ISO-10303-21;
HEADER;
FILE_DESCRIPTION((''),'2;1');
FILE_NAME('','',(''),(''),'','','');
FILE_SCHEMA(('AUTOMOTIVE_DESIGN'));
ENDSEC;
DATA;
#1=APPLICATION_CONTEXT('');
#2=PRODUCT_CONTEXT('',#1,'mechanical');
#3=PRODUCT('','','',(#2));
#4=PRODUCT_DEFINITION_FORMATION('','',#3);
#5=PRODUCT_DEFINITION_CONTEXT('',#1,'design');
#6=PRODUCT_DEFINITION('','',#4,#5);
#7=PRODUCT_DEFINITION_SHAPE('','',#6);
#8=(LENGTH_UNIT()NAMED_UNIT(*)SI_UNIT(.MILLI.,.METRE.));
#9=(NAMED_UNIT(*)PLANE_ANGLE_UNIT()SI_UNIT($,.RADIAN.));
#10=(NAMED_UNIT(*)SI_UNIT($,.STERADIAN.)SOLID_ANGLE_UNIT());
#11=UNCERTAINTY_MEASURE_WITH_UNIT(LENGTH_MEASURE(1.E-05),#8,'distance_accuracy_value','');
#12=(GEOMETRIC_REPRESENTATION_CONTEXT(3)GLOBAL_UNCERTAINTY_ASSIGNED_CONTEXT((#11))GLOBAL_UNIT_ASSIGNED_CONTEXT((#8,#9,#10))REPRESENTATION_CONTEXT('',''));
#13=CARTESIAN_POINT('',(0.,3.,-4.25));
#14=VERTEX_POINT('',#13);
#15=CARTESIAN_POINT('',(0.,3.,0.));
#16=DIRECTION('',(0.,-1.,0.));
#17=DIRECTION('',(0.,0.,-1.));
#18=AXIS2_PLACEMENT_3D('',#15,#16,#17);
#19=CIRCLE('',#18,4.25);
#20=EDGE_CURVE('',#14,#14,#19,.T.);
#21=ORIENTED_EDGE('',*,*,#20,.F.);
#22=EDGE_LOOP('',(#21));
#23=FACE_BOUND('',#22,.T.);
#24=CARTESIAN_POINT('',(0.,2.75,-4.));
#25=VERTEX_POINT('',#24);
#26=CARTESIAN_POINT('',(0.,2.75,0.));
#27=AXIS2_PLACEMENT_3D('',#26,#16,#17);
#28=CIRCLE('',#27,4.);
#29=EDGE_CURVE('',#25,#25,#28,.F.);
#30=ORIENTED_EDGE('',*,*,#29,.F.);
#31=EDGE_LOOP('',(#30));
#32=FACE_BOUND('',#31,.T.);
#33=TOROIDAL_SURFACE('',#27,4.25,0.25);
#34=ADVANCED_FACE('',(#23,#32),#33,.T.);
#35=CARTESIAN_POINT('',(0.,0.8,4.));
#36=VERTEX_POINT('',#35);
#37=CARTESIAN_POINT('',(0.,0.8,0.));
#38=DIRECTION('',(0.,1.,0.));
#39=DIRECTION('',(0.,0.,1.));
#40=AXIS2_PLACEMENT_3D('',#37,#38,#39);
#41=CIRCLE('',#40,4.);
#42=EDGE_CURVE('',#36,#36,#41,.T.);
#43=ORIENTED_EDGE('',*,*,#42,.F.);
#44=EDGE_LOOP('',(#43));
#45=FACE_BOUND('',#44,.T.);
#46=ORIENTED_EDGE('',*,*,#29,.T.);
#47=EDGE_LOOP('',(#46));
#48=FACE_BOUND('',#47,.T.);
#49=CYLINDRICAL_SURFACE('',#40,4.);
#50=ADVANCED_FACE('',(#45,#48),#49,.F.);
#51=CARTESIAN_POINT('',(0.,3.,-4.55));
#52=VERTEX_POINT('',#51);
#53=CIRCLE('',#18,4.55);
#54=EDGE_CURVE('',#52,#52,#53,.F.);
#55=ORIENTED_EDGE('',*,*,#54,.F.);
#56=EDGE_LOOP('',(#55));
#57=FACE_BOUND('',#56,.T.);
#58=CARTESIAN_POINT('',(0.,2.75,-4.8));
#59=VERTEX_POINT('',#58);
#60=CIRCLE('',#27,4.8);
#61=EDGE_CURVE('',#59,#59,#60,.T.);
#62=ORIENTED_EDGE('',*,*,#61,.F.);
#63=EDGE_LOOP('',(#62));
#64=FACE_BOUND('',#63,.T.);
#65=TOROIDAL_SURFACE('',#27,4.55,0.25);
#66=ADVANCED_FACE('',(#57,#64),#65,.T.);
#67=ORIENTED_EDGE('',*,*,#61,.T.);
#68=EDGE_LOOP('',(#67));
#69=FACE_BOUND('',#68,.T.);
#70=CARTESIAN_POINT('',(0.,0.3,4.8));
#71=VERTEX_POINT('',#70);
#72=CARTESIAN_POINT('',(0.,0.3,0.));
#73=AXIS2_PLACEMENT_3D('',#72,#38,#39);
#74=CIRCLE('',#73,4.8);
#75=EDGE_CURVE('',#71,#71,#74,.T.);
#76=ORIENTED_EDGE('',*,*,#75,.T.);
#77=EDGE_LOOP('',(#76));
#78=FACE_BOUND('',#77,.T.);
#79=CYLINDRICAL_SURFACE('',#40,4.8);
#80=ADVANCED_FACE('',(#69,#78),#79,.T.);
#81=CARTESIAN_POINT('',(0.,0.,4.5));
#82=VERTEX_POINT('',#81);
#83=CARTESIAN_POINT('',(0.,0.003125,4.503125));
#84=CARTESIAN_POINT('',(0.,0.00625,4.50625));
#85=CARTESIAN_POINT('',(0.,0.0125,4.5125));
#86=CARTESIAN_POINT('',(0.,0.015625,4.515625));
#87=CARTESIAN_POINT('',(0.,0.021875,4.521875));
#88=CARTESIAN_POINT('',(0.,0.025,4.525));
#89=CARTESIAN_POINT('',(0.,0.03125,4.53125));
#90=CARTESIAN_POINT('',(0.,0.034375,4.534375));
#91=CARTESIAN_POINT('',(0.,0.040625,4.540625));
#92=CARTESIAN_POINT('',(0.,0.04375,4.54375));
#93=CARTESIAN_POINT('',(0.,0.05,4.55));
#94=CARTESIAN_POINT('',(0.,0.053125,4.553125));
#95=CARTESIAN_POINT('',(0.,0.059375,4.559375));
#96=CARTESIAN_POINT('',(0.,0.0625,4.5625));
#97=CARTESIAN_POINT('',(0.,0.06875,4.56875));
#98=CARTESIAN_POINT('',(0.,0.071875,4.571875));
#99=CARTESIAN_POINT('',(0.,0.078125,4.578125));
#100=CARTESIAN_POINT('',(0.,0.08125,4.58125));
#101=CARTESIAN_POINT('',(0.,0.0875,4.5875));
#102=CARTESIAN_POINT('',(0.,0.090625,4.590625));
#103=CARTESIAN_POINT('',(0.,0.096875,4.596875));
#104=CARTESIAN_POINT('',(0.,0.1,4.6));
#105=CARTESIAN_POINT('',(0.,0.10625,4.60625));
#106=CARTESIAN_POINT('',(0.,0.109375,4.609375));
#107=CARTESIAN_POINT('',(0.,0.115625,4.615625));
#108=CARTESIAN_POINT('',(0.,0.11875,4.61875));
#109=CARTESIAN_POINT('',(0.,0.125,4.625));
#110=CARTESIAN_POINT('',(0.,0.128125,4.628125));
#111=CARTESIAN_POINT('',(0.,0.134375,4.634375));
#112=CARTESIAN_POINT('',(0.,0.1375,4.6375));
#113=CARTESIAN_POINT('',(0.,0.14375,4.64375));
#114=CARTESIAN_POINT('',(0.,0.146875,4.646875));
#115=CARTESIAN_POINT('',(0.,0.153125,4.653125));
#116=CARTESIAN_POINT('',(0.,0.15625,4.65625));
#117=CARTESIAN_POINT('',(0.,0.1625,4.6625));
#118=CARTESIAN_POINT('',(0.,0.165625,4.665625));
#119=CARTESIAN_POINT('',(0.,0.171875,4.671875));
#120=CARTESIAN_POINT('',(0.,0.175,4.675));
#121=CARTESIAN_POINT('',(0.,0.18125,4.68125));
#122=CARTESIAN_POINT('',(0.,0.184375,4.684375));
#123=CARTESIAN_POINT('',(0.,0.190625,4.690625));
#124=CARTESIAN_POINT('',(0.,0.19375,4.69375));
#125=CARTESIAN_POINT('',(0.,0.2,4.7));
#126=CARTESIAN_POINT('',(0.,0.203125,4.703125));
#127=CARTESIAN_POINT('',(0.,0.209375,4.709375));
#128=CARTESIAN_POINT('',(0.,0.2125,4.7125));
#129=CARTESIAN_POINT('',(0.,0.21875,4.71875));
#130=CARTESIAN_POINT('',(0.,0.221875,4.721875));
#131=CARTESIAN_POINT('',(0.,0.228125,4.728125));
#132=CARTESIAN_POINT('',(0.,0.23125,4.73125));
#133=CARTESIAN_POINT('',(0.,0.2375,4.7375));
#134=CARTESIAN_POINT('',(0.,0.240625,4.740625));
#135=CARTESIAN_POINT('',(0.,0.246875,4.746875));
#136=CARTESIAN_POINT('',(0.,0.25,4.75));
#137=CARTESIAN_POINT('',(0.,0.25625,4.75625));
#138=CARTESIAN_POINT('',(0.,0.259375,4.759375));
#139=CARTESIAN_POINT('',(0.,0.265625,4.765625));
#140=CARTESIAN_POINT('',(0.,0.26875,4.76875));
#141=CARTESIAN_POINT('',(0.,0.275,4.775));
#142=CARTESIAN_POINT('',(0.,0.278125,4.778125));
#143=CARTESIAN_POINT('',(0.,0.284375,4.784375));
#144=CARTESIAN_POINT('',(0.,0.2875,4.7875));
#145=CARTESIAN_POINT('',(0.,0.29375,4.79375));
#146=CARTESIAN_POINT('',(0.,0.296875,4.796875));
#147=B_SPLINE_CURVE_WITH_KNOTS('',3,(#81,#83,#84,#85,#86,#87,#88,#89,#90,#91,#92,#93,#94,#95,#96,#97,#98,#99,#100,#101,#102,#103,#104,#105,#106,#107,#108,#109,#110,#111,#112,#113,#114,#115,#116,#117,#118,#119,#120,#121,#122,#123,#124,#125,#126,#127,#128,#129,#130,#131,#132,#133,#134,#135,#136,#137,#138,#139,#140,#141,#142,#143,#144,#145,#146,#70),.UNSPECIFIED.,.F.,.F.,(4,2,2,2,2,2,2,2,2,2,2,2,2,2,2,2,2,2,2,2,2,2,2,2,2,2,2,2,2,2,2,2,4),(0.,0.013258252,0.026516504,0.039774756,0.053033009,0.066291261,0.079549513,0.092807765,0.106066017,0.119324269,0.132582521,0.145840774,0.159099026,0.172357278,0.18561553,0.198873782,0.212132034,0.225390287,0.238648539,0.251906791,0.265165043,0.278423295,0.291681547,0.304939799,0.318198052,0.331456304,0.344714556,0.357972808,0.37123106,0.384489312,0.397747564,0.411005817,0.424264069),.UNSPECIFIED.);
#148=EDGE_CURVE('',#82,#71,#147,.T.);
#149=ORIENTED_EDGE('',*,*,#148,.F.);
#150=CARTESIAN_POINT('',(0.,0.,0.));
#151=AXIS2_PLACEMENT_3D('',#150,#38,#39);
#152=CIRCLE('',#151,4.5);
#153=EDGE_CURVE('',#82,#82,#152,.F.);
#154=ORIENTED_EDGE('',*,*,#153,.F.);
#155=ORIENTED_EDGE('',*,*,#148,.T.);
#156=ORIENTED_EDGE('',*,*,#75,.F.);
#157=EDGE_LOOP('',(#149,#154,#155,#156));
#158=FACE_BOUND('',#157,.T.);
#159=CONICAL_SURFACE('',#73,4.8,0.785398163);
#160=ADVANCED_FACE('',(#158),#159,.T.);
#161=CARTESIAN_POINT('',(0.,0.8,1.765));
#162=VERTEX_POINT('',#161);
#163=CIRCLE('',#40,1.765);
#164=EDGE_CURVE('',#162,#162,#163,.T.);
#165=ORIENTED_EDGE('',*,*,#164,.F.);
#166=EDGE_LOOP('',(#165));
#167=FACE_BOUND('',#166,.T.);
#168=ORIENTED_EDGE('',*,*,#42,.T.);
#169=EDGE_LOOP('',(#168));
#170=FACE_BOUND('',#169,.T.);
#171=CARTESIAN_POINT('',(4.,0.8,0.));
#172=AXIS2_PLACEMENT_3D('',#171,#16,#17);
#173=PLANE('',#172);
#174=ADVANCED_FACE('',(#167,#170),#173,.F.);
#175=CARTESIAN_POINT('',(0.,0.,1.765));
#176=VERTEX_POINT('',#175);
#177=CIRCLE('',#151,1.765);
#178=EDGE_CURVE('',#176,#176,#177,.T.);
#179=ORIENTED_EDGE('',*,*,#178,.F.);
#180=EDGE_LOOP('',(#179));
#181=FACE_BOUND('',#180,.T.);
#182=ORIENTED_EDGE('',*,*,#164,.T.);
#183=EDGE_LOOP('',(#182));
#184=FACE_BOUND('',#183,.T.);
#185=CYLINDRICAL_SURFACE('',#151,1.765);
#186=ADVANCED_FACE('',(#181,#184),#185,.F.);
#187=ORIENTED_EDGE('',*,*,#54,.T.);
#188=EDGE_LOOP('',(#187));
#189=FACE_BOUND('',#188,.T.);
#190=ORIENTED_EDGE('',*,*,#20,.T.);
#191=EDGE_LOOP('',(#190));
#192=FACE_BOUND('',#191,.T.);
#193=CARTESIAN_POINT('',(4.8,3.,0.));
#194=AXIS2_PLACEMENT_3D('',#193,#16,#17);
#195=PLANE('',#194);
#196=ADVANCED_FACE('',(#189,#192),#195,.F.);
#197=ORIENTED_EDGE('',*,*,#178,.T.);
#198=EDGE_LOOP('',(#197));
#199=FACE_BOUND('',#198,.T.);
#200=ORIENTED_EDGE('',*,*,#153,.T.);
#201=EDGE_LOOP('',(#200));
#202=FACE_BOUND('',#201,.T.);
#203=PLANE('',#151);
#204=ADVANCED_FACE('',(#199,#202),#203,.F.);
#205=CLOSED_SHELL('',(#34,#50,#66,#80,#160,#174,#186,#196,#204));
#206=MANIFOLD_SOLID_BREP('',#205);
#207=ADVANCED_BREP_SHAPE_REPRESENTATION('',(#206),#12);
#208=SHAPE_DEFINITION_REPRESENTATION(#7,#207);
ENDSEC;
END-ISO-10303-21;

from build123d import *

# Parameters (mm, degrees)
SKETCH2_R          = 1.765
CUT_EXTRUDE1_DEPTH = 8.13582511
FILLET1_R          = 0.25
CHAMFER1_SIZE      = 0.3


with BuildPart() as part:
    # Sketch1 → Revolve1 (revolve)
    with BuildSketch(Plane.XY, mode=Mode.PRIVATE) as revolve1_sk:
        Polygon((0, 0), (4.8, 0), (4.8, 3), (4, 3), (4, 0.8), (0, 0.8), align=None)
    revolve(revolve1_sk.sketch.rotate(Axis((0, 0.8, 0), (0, -1, 0)), 90), axis=Axis((0, 0.8, 0), (0, -1, 0)))

    # Sketch2 → Cut-Extrude1 (cut, through all)
    with BuildSketch(Plane(origin=(0, 0.8, 0), x_dir=(1, 0, 0), z_dir=(0, 1, 0))):
        with Locations(Location((0, 0, 0), (0, 0, 270))):
            Circle(SKETCH2_R)
    extrude(amount=-CUT_EXTRUDE1_DEPTH, mode=Mode.SUBTRACT)

    # Fillet1
    fillet1_edges = [part.edges().sort_by_distance(p)[0] for p in [
        (0, 3, -4),
        (0, 3, -4.8),
    ]]
    fillet(fillet1_edges, radius=FILLET1_R)

    # Chamfer1
    chamfer1_edges = [part.edges().sort_by_distance(p)[0] for p in [
        (0, 0, -4.8),
    ]]
    chamfer(chamfer1_edges, length=CHAMFER1_SIZE)


solid = part.part
